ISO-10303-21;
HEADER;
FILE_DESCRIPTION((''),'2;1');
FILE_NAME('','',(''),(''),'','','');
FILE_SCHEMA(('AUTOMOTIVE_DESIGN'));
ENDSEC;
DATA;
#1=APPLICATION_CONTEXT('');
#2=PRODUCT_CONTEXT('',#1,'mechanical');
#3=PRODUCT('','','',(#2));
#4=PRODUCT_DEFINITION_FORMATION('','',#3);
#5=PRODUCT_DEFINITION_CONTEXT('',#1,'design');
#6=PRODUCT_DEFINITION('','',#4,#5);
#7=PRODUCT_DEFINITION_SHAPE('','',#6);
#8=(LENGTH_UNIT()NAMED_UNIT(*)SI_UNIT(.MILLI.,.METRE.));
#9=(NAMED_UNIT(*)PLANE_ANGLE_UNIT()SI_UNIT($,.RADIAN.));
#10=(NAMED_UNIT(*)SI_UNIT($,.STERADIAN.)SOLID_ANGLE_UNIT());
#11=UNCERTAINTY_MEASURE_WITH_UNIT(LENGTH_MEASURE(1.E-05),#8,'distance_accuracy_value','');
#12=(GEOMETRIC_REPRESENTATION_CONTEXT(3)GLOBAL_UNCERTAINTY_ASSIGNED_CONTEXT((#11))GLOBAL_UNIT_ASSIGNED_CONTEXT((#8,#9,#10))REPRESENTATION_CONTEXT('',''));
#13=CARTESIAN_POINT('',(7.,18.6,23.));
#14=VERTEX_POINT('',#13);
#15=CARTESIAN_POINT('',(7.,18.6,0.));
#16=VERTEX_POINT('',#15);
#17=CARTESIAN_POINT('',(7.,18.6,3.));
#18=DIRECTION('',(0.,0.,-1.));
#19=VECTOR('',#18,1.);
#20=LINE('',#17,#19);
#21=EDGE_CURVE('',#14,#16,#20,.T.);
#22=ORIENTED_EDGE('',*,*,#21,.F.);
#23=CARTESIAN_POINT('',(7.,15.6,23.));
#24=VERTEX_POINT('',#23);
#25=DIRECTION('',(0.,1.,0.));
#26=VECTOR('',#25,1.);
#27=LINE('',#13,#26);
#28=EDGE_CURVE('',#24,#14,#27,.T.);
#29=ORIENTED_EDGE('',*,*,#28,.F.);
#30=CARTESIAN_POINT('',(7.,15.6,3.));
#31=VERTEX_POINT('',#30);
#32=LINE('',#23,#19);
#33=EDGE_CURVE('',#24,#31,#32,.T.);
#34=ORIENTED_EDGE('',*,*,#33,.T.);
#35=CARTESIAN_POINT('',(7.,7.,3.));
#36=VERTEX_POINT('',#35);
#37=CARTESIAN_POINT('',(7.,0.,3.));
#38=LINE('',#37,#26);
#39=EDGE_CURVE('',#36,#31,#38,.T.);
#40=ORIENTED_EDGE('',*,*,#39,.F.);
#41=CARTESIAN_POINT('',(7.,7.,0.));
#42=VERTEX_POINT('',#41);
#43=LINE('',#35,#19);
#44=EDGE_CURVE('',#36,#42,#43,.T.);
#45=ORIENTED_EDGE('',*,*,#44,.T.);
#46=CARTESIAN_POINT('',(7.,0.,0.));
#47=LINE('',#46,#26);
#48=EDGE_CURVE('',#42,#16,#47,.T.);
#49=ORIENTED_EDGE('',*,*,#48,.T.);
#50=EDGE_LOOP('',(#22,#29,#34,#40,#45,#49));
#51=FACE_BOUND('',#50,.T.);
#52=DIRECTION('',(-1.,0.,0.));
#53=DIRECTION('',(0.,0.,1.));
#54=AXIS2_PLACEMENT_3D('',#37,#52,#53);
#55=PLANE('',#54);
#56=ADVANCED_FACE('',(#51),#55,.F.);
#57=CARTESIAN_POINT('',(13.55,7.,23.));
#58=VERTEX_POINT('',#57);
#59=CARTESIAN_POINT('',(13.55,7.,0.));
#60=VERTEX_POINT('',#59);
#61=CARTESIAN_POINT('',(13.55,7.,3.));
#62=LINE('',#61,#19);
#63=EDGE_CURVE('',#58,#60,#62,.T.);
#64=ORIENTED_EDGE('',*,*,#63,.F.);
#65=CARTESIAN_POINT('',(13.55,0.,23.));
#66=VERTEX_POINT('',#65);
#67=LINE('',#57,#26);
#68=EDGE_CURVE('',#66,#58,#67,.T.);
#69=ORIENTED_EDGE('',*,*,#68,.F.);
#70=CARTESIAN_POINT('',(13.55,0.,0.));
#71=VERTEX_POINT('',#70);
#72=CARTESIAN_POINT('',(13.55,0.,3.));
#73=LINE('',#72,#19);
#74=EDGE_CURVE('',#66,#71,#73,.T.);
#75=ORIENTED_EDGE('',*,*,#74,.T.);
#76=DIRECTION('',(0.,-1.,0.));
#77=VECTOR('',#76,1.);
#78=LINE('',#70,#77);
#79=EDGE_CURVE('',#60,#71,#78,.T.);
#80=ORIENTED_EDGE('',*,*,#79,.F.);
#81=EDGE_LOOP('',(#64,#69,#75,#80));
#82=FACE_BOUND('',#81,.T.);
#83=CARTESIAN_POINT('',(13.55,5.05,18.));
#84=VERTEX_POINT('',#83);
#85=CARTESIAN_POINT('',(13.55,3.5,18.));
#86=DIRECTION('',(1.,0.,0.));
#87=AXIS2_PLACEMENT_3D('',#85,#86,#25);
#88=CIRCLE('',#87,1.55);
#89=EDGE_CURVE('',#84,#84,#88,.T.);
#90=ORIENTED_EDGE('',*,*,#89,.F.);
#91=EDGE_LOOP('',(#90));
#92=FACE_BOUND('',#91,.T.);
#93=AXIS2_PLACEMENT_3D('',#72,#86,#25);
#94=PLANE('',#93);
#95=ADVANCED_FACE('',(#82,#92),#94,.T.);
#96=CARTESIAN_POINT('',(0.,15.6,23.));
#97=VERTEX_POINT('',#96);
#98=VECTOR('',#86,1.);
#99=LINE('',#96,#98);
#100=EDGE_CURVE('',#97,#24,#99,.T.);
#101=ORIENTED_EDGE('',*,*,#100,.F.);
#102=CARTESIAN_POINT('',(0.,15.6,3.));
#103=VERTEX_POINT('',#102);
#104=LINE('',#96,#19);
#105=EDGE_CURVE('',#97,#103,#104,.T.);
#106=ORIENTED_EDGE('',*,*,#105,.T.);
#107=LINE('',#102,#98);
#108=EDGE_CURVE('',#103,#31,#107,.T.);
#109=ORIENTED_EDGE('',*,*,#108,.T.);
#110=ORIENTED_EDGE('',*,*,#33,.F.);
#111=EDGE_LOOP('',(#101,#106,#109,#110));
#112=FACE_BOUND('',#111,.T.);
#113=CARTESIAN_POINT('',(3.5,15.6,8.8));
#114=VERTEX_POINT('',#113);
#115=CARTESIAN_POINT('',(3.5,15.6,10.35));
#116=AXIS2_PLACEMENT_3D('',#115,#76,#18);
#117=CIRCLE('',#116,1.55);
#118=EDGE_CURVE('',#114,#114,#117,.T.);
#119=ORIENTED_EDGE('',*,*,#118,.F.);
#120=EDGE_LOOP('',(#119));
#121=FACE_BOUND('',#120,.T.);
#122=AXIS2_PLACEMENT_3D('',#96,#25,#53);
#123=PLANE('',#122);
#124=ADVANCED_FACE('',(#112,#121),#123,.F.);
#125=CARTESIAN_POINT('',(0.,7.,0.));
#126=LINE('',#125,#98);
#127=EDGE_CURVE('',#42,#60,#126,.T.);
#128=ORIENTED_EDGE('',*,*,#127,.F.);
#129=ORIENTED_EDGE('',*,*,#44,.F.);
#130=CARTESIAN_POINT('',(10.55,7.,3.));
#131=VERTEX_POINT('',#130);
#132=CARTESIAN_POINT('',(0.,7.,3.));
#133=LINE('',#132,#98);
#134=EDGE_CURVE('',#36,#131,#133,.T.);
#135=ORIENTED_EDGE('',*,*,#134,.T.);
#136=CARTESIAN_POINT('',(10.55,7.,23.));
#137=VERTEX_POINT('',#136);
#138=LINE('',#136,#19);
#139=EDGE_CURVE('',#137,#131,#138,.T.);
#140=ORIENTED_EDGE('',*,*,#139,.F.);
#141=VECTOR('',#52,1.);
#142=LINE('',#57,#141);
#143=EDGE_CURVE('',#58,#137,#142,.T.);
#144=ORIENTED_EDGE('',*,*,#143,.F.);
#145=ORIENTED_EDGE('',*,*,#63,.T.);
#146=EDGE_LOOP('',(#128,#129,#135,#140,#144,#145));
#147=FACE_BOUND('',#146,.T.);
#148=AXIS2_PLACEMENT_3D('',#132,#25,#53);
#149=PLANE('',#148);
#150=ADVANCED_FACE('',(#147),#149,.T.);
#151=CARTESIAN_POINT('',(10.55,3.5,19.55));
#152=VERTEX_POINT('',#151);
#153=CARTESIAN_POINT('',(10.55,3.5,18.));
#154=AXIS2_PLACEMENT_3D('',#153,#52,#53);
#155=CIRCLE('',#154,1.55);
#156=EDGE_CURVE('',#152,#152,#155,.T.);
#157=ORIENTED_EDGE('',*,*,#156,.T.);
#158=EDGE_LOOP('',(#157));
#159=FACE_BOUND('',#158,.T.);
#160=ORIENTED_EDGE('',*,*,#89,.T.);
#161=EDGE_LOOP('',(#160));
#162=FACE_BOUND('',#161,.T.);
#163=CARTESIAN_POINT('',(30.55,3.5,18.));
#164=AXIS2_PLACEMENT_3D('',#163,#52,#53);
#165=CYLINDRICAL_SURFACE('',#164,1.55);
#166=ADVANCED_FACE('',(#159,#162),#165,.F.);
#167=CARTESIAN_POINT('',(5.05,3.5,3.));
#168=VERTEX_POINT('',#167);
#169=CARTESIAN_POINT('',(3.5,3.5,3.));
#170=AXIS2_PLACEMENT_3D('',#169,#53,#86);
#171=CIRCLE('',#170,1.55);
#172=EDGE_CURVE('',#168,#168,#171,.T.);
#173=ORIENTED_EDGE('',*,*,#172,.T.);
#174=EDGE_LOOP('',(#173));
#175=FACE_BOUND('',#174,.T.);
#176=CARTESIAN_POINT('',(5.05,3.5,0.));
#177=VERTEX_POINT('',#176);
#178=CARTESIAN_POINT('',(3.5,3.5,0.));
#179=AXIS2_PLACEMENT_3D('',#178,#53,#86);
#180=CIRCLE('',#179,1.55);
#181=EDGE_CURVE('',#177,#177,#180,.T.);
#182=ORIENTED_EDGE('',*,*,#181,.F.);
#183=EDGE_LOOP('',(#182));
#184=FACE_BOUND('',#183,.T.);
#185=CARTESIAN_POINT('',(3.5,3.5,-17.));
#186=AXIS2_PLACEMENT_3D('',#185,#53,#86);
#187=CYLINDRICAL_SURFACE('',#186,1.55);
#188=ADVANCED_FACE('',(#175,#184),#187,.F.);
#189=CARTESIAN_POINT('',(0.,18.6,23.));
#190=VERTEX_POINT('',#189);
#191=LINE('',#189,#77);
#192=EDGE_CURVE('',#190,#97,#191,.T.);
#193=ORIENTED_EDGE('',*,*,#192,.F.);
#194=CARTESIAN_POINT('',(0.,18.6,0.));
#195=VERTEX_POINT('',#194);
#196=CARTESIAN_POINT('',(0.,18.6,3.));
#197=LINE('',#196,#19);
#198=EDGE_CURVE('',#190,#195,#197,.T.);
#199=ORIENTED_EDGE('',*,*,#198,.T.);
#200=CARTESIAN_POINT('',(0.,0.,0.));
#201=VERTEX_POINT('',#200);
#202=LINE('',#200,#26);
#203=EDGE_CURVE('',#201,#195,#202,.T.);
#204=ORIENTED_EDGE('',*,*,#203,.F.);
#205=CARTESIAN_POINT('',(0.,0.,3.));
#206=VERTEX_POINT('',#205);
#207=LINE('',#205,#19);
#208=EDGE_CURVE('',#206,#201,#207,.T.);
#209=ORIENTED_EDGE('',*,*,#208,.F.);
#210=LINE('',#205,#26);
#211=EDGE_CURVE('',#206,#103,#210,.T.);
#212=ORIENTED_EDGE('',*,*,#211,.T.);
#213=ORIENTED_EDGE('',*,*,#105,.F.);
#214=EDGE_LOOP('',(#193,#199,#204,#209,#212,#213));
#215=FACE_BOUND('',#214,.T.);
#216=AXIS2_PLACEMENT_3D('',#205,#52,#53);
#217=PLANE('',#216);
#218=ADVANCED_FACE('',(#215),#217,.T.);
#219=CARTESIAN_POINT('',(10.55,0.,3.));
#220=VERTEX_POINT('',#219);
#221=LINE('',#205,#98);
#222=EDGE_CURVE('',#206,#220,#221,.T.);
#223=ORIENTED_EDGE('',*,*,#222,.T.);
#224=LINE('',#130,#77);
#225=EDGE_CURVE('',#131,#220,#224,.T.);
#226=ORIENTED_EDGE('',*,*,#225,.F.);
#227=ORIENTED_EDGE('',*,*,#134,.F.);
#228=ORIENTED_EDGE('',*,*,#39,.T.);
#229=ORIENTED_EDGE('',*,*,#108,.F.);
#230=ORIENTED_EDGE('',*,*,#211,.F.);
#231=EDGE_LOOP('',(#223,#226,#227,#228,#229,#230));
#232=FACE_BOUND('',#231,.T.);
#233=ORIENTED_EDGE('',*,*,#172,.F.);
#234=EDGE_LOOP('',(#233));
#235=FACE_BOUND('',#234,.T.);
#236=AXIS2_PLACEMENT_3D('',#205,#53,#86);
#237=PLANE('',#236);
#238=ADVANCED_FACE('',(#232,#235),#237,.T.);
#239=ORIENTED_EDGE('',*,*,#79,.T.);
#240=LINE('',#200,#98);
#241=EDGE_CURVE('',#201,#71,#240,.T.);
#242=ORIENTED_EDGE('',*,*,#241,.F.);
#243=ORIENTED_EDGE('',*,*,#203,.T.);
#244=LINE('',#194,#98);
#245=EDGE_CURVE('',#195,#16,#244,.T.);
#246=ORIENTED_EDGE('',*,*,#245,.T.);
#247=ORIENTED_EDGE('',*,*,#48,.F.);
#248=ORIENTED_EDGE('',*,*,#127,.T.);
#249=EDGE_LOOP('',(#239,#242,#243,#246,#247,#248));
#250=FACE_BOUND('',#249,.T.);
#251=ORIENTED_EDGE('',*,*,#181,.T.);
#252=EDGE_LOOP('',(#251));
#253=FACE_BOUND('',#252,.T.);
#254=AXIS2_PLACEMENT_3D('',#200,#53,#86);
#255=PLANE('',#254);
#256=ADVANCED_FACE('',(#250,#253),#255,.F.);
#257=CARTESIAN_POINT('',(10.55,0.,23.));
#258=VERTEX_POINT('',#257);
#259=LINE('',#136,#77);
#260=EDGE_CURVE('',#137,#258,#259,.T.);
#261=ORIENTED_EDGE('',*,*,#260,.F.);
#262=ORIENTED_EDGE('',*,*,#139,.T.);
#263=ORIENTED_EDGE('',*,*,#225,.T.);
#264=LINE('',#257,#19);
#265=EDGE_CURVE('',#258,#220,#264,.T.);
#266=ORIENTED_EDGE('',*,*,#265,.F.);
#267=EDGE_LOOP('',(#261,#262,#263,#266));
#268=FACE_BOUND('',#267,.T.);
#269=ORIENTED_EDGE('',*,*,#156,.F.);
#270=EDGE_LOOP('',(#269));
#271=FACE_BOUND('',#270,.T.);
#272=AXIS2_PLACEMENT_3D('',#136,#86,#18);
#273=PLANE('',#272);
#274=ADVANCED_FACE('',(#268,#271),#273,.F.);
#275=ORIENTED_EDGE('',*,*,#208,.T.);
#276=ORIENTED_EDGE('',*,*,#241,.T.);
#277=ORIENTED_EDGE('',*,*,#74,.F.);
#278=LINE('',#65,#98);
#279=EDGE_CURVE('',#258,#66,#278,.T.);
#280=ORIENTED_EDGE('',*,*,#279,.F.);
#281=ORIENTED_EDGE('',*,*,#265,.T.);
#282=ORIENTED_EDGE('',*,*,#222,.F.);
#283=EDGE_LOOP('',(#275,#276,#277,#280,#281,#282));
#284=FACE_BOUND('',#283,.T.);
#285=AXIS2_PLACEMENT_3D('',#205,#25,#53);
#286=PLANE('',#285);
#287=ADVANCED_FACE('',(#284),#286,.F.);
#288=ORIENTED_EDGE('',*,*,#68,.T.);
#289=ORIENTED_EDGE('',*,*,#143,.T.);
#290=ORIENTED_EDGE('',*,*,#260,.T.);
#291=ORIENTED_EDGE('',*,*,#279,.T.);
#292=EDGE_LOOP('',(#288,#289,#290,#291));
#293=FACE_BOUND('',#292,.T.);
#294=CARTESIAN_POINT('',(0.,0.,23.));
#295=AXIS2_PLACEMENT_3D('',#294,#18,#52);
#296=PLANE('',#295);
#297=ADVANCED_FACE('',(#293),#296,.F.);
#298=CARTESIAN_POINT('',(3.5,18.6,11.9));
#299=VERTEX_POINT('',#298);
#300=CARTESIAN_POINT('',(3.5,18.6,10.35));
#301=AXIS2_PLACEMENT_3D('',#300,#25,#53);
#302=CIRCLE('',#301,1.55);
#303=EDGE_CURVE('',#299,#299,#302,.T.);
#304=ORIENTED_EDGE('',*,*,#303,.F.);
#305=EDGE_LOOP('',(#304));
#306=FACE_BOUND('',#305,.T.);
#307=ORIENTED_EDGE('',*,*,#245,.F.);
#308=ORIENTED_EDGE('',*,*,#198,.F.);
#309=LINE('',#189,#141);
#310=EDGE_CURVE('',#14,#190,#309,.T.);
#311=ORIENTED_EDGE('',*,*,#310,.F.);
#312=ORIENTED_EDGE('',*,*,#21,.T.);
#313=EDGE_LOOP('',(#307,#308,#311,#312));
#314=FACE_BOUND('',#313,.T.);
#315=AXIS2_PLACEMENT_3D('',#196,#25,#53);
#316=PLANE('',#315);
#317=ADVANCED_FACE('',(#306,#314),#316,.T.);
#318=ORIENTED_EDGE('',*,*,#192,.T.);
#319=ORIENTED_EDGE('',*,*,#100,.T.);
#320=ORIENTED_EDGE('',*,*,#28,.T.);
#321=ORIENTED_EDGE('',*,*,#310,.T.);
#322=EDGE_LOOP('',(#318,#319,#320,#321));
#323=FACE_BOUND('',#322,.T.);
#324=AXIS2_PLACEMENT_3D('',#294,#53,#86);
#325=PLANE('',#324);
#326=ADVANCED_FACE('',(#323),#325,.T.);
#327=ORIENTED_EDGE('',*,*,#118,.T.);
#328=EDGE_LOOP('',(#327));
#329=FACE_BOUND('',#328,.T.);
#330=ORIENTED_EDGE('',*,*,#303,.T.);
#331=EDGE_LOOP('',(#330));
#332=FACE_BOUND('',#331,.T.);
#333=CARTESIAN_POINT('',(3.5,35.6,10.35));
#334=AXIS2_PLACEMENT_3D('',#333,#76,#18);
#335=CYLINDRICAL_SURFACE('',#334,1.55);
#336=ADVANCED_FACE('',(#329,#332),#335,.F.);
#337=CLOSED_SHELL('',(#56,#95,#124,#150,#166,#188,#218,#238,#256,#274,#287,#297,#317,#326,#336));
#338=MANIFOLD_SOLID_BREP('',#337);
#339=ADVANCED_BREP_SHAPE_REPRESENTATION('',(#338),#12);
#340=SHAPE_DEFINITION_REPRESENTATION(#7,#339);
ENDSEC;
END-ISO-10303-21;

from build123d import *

# Parameters (mm, degrees)
ESQUISSE1_W             = 7
ESQUISSE1_H             = 11.6
ESQUISSE1_H_2           = 7
ESQUISSE1_W_2           = 6.55
BOSS_EXTRU_1_DEPTH      = 3
ESQUISSE2_W             = 7
ESQUISSE2_H             = 3
BOSS_EXTRU_2_DEPTH      = 20
ESQUISSE3_W             = 3
ESQUISSE3_H             = 7
BOSS_EXTRU_3_DEPTH      = 20
ESQUISSE4_R             = 1.55
ENL_V_MAT_EXTRU_1_DEPTH = 20
ESQUISSE5_R             = 1.55
ENL_V_MAT_EXTRU_2_DEPTH = 20
ESQUISSE6_R             = 1.55
ENL_V_MAT_EXTRU_3_DEPTH = 20


with BuildPart() as part:
    # Esquisse1 → Boss.-Extru.1 (new body)
    with BuildSketch(Plane.XY):
        with Locations((3.5, 12.8)):
            Rectangle(ESQUISSE1_W, ESQUISSE1_H)
        with Locations((3.5, 3.5)):
            Rectangle(ESQUISSE1_W, ESQUISSE1_H_2)
        with Locations((10.275, 3.5)):
            Rectangle(ESQUISSE1_W_2, ESQUISSE1_H_2)
    extrude(amount=BOSS_EXTRU_1_DEPTH)

    # Esquisse2 → Boss.-Extru.2 (add)
    with BuildSketch(Plane.XY.offset(3)):
        with Locations((3.5, 17.1)):
            Rectangle(ESQUISSE2_W, ESQUISSE2_H)
    extrude(amount=BOSS_EXTRU_2_DEPTH)

    # Esquisse3 → Boss.-Extru.3 (add)
    with BuildSketch(Plane.XY.offset(3)):
        with Locations((12.05, 3.5)):
            Rectangle(ESQUISSE3_W, ESQUISSE3_H)
    extrude(amount=BOSS_EXTRU_3_DEPTH)

    # Esquisse4 → Enlèv. mat.-Extru.1 (cut)
    with BuildSketch(Plane.XZ.offset(-15.6)):
        with Locations(Location((3.5, 10.35, 0), (0, 0, 270))):
            Circle(ESQUISSE4_R)
    extrude(amount=-ENL_V_MAT_EXTRU_1_DEPTH, mode=Mode.SUBTRACT)

    # Esquisse5 → Enlèv. mat.-Extru.2 (cut)
    with BuildSketch(Plane.ZY.offset(-10.55)):
        with Locations((18, 3.5)):
            Circle(ESQUISSE5_R)
    extrude(amount=-ENL_V_MAT_EXTRU_2_DEPTH, mode=Mode.SUBTRACT)

    # Esquisse6 → Enlèv. mat.-Extru.3 (cut)
    with BuildSketch(Plane.XY.offset(3)):
        with Locations((3.5, 3.5)):
            Circle(ESQUISSE6_R)
    extrude(amount=-ENL_V_MAT_EXTRU_3_DEPTH, mode=Mode.SUBTRACT)


solid = part.part
